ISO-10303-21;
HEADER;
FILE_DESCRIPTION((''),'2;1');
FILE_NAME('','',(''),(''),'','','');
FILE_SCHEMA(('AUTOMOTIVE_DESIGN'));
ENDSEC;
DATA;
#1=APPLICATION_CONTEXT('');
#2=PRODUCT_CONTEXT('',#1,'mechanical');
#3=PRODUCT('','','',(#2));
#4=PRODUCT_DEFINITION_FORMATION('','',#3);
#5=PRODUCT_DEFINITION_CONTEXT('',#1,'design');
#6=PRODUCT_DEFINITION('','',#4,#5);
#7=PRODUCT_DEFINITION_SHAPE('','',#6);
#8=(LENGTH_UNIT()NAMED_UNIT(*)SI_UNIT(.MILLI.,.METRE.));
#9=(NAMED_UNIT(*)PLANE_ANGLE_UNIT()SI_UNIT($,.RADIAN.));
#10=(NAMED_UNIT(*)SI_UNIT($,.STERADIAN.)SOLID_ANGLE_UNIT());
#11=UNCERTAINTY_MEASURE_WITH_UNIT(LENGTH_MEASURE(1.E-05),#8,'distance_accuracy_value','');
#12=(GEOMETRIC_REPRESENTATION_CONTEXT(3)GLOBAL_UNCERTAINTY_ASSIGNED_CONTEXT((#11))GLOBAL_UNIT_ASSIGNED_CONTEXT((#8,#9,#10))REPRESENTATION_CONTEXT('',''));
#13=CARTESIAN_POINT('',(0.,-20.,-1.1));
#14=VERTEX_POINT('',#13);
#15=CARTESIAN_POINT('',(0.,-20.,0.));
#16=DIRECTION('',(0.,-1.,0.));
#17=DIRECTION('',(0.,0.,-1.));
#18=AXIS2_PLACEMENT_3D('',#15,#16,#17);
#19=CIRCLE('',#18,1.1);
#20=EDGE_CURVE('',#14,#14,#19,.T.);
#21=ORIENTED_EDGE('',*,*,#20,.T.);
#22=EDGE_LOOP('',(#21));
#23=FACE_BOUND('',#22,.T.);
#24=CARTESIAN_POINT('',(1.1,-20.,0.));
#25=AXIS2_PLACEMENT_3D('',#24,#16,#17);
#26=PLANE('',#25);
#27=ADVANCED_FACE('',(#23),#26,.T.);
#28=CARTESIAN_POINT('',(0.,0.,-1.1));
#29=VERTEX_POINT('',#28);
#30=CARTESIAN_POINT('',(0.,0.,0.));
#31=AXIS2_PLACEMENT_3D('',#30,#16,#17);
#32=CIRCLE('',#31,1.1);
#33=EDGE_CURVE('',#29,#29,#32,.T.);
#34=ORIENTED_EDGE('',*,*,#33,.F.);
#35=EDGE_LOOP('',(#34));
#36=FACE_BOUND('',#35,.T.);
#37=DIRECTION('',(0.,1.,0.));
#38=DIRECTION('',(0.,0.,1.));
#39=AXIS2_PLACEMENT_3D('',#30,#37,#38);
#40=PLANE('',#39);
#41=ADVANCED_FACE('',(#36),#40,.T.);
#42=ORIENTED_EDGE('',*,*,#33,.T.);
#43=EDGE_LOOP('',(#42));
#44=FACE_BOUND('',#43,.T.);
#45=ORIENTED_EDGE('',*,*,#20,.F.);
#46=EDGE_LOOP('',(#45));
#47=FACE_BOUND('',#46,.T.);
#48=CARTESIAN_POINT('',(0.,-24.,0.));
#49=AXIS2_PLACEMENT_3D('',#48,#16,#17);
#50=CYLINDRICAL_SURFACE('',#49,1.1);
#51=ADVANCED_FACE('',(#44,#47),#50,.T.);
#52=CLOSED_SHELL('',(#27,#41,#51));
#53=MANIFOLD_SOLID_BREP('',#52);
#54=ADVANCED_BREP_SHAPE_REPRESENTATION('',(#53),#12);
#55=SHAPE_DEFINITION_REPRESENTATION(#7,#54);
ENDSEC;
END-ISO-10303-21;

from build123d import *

# Parameters (mm, degrees)
SKETCH1_W = 1.1
SKETCH1_H = 20


with BuildPart() as part:
    # Sketch1 → Tendon (revolve)
    with BuildSketch(Plane.XY, mode=Mode.PRIVATE) as tendon_sk:
        with Locations((0.55, -10)):
            Rectangle(SKETCH1_W, SKETCH1_H)
    revolve(tendon_sk.sketch.rotate(Axis((0, -24, 0), (0, 1, 0)), 90), axis=Axis((0, -24, 0), (0, 1, 0)))


solid = part.part
